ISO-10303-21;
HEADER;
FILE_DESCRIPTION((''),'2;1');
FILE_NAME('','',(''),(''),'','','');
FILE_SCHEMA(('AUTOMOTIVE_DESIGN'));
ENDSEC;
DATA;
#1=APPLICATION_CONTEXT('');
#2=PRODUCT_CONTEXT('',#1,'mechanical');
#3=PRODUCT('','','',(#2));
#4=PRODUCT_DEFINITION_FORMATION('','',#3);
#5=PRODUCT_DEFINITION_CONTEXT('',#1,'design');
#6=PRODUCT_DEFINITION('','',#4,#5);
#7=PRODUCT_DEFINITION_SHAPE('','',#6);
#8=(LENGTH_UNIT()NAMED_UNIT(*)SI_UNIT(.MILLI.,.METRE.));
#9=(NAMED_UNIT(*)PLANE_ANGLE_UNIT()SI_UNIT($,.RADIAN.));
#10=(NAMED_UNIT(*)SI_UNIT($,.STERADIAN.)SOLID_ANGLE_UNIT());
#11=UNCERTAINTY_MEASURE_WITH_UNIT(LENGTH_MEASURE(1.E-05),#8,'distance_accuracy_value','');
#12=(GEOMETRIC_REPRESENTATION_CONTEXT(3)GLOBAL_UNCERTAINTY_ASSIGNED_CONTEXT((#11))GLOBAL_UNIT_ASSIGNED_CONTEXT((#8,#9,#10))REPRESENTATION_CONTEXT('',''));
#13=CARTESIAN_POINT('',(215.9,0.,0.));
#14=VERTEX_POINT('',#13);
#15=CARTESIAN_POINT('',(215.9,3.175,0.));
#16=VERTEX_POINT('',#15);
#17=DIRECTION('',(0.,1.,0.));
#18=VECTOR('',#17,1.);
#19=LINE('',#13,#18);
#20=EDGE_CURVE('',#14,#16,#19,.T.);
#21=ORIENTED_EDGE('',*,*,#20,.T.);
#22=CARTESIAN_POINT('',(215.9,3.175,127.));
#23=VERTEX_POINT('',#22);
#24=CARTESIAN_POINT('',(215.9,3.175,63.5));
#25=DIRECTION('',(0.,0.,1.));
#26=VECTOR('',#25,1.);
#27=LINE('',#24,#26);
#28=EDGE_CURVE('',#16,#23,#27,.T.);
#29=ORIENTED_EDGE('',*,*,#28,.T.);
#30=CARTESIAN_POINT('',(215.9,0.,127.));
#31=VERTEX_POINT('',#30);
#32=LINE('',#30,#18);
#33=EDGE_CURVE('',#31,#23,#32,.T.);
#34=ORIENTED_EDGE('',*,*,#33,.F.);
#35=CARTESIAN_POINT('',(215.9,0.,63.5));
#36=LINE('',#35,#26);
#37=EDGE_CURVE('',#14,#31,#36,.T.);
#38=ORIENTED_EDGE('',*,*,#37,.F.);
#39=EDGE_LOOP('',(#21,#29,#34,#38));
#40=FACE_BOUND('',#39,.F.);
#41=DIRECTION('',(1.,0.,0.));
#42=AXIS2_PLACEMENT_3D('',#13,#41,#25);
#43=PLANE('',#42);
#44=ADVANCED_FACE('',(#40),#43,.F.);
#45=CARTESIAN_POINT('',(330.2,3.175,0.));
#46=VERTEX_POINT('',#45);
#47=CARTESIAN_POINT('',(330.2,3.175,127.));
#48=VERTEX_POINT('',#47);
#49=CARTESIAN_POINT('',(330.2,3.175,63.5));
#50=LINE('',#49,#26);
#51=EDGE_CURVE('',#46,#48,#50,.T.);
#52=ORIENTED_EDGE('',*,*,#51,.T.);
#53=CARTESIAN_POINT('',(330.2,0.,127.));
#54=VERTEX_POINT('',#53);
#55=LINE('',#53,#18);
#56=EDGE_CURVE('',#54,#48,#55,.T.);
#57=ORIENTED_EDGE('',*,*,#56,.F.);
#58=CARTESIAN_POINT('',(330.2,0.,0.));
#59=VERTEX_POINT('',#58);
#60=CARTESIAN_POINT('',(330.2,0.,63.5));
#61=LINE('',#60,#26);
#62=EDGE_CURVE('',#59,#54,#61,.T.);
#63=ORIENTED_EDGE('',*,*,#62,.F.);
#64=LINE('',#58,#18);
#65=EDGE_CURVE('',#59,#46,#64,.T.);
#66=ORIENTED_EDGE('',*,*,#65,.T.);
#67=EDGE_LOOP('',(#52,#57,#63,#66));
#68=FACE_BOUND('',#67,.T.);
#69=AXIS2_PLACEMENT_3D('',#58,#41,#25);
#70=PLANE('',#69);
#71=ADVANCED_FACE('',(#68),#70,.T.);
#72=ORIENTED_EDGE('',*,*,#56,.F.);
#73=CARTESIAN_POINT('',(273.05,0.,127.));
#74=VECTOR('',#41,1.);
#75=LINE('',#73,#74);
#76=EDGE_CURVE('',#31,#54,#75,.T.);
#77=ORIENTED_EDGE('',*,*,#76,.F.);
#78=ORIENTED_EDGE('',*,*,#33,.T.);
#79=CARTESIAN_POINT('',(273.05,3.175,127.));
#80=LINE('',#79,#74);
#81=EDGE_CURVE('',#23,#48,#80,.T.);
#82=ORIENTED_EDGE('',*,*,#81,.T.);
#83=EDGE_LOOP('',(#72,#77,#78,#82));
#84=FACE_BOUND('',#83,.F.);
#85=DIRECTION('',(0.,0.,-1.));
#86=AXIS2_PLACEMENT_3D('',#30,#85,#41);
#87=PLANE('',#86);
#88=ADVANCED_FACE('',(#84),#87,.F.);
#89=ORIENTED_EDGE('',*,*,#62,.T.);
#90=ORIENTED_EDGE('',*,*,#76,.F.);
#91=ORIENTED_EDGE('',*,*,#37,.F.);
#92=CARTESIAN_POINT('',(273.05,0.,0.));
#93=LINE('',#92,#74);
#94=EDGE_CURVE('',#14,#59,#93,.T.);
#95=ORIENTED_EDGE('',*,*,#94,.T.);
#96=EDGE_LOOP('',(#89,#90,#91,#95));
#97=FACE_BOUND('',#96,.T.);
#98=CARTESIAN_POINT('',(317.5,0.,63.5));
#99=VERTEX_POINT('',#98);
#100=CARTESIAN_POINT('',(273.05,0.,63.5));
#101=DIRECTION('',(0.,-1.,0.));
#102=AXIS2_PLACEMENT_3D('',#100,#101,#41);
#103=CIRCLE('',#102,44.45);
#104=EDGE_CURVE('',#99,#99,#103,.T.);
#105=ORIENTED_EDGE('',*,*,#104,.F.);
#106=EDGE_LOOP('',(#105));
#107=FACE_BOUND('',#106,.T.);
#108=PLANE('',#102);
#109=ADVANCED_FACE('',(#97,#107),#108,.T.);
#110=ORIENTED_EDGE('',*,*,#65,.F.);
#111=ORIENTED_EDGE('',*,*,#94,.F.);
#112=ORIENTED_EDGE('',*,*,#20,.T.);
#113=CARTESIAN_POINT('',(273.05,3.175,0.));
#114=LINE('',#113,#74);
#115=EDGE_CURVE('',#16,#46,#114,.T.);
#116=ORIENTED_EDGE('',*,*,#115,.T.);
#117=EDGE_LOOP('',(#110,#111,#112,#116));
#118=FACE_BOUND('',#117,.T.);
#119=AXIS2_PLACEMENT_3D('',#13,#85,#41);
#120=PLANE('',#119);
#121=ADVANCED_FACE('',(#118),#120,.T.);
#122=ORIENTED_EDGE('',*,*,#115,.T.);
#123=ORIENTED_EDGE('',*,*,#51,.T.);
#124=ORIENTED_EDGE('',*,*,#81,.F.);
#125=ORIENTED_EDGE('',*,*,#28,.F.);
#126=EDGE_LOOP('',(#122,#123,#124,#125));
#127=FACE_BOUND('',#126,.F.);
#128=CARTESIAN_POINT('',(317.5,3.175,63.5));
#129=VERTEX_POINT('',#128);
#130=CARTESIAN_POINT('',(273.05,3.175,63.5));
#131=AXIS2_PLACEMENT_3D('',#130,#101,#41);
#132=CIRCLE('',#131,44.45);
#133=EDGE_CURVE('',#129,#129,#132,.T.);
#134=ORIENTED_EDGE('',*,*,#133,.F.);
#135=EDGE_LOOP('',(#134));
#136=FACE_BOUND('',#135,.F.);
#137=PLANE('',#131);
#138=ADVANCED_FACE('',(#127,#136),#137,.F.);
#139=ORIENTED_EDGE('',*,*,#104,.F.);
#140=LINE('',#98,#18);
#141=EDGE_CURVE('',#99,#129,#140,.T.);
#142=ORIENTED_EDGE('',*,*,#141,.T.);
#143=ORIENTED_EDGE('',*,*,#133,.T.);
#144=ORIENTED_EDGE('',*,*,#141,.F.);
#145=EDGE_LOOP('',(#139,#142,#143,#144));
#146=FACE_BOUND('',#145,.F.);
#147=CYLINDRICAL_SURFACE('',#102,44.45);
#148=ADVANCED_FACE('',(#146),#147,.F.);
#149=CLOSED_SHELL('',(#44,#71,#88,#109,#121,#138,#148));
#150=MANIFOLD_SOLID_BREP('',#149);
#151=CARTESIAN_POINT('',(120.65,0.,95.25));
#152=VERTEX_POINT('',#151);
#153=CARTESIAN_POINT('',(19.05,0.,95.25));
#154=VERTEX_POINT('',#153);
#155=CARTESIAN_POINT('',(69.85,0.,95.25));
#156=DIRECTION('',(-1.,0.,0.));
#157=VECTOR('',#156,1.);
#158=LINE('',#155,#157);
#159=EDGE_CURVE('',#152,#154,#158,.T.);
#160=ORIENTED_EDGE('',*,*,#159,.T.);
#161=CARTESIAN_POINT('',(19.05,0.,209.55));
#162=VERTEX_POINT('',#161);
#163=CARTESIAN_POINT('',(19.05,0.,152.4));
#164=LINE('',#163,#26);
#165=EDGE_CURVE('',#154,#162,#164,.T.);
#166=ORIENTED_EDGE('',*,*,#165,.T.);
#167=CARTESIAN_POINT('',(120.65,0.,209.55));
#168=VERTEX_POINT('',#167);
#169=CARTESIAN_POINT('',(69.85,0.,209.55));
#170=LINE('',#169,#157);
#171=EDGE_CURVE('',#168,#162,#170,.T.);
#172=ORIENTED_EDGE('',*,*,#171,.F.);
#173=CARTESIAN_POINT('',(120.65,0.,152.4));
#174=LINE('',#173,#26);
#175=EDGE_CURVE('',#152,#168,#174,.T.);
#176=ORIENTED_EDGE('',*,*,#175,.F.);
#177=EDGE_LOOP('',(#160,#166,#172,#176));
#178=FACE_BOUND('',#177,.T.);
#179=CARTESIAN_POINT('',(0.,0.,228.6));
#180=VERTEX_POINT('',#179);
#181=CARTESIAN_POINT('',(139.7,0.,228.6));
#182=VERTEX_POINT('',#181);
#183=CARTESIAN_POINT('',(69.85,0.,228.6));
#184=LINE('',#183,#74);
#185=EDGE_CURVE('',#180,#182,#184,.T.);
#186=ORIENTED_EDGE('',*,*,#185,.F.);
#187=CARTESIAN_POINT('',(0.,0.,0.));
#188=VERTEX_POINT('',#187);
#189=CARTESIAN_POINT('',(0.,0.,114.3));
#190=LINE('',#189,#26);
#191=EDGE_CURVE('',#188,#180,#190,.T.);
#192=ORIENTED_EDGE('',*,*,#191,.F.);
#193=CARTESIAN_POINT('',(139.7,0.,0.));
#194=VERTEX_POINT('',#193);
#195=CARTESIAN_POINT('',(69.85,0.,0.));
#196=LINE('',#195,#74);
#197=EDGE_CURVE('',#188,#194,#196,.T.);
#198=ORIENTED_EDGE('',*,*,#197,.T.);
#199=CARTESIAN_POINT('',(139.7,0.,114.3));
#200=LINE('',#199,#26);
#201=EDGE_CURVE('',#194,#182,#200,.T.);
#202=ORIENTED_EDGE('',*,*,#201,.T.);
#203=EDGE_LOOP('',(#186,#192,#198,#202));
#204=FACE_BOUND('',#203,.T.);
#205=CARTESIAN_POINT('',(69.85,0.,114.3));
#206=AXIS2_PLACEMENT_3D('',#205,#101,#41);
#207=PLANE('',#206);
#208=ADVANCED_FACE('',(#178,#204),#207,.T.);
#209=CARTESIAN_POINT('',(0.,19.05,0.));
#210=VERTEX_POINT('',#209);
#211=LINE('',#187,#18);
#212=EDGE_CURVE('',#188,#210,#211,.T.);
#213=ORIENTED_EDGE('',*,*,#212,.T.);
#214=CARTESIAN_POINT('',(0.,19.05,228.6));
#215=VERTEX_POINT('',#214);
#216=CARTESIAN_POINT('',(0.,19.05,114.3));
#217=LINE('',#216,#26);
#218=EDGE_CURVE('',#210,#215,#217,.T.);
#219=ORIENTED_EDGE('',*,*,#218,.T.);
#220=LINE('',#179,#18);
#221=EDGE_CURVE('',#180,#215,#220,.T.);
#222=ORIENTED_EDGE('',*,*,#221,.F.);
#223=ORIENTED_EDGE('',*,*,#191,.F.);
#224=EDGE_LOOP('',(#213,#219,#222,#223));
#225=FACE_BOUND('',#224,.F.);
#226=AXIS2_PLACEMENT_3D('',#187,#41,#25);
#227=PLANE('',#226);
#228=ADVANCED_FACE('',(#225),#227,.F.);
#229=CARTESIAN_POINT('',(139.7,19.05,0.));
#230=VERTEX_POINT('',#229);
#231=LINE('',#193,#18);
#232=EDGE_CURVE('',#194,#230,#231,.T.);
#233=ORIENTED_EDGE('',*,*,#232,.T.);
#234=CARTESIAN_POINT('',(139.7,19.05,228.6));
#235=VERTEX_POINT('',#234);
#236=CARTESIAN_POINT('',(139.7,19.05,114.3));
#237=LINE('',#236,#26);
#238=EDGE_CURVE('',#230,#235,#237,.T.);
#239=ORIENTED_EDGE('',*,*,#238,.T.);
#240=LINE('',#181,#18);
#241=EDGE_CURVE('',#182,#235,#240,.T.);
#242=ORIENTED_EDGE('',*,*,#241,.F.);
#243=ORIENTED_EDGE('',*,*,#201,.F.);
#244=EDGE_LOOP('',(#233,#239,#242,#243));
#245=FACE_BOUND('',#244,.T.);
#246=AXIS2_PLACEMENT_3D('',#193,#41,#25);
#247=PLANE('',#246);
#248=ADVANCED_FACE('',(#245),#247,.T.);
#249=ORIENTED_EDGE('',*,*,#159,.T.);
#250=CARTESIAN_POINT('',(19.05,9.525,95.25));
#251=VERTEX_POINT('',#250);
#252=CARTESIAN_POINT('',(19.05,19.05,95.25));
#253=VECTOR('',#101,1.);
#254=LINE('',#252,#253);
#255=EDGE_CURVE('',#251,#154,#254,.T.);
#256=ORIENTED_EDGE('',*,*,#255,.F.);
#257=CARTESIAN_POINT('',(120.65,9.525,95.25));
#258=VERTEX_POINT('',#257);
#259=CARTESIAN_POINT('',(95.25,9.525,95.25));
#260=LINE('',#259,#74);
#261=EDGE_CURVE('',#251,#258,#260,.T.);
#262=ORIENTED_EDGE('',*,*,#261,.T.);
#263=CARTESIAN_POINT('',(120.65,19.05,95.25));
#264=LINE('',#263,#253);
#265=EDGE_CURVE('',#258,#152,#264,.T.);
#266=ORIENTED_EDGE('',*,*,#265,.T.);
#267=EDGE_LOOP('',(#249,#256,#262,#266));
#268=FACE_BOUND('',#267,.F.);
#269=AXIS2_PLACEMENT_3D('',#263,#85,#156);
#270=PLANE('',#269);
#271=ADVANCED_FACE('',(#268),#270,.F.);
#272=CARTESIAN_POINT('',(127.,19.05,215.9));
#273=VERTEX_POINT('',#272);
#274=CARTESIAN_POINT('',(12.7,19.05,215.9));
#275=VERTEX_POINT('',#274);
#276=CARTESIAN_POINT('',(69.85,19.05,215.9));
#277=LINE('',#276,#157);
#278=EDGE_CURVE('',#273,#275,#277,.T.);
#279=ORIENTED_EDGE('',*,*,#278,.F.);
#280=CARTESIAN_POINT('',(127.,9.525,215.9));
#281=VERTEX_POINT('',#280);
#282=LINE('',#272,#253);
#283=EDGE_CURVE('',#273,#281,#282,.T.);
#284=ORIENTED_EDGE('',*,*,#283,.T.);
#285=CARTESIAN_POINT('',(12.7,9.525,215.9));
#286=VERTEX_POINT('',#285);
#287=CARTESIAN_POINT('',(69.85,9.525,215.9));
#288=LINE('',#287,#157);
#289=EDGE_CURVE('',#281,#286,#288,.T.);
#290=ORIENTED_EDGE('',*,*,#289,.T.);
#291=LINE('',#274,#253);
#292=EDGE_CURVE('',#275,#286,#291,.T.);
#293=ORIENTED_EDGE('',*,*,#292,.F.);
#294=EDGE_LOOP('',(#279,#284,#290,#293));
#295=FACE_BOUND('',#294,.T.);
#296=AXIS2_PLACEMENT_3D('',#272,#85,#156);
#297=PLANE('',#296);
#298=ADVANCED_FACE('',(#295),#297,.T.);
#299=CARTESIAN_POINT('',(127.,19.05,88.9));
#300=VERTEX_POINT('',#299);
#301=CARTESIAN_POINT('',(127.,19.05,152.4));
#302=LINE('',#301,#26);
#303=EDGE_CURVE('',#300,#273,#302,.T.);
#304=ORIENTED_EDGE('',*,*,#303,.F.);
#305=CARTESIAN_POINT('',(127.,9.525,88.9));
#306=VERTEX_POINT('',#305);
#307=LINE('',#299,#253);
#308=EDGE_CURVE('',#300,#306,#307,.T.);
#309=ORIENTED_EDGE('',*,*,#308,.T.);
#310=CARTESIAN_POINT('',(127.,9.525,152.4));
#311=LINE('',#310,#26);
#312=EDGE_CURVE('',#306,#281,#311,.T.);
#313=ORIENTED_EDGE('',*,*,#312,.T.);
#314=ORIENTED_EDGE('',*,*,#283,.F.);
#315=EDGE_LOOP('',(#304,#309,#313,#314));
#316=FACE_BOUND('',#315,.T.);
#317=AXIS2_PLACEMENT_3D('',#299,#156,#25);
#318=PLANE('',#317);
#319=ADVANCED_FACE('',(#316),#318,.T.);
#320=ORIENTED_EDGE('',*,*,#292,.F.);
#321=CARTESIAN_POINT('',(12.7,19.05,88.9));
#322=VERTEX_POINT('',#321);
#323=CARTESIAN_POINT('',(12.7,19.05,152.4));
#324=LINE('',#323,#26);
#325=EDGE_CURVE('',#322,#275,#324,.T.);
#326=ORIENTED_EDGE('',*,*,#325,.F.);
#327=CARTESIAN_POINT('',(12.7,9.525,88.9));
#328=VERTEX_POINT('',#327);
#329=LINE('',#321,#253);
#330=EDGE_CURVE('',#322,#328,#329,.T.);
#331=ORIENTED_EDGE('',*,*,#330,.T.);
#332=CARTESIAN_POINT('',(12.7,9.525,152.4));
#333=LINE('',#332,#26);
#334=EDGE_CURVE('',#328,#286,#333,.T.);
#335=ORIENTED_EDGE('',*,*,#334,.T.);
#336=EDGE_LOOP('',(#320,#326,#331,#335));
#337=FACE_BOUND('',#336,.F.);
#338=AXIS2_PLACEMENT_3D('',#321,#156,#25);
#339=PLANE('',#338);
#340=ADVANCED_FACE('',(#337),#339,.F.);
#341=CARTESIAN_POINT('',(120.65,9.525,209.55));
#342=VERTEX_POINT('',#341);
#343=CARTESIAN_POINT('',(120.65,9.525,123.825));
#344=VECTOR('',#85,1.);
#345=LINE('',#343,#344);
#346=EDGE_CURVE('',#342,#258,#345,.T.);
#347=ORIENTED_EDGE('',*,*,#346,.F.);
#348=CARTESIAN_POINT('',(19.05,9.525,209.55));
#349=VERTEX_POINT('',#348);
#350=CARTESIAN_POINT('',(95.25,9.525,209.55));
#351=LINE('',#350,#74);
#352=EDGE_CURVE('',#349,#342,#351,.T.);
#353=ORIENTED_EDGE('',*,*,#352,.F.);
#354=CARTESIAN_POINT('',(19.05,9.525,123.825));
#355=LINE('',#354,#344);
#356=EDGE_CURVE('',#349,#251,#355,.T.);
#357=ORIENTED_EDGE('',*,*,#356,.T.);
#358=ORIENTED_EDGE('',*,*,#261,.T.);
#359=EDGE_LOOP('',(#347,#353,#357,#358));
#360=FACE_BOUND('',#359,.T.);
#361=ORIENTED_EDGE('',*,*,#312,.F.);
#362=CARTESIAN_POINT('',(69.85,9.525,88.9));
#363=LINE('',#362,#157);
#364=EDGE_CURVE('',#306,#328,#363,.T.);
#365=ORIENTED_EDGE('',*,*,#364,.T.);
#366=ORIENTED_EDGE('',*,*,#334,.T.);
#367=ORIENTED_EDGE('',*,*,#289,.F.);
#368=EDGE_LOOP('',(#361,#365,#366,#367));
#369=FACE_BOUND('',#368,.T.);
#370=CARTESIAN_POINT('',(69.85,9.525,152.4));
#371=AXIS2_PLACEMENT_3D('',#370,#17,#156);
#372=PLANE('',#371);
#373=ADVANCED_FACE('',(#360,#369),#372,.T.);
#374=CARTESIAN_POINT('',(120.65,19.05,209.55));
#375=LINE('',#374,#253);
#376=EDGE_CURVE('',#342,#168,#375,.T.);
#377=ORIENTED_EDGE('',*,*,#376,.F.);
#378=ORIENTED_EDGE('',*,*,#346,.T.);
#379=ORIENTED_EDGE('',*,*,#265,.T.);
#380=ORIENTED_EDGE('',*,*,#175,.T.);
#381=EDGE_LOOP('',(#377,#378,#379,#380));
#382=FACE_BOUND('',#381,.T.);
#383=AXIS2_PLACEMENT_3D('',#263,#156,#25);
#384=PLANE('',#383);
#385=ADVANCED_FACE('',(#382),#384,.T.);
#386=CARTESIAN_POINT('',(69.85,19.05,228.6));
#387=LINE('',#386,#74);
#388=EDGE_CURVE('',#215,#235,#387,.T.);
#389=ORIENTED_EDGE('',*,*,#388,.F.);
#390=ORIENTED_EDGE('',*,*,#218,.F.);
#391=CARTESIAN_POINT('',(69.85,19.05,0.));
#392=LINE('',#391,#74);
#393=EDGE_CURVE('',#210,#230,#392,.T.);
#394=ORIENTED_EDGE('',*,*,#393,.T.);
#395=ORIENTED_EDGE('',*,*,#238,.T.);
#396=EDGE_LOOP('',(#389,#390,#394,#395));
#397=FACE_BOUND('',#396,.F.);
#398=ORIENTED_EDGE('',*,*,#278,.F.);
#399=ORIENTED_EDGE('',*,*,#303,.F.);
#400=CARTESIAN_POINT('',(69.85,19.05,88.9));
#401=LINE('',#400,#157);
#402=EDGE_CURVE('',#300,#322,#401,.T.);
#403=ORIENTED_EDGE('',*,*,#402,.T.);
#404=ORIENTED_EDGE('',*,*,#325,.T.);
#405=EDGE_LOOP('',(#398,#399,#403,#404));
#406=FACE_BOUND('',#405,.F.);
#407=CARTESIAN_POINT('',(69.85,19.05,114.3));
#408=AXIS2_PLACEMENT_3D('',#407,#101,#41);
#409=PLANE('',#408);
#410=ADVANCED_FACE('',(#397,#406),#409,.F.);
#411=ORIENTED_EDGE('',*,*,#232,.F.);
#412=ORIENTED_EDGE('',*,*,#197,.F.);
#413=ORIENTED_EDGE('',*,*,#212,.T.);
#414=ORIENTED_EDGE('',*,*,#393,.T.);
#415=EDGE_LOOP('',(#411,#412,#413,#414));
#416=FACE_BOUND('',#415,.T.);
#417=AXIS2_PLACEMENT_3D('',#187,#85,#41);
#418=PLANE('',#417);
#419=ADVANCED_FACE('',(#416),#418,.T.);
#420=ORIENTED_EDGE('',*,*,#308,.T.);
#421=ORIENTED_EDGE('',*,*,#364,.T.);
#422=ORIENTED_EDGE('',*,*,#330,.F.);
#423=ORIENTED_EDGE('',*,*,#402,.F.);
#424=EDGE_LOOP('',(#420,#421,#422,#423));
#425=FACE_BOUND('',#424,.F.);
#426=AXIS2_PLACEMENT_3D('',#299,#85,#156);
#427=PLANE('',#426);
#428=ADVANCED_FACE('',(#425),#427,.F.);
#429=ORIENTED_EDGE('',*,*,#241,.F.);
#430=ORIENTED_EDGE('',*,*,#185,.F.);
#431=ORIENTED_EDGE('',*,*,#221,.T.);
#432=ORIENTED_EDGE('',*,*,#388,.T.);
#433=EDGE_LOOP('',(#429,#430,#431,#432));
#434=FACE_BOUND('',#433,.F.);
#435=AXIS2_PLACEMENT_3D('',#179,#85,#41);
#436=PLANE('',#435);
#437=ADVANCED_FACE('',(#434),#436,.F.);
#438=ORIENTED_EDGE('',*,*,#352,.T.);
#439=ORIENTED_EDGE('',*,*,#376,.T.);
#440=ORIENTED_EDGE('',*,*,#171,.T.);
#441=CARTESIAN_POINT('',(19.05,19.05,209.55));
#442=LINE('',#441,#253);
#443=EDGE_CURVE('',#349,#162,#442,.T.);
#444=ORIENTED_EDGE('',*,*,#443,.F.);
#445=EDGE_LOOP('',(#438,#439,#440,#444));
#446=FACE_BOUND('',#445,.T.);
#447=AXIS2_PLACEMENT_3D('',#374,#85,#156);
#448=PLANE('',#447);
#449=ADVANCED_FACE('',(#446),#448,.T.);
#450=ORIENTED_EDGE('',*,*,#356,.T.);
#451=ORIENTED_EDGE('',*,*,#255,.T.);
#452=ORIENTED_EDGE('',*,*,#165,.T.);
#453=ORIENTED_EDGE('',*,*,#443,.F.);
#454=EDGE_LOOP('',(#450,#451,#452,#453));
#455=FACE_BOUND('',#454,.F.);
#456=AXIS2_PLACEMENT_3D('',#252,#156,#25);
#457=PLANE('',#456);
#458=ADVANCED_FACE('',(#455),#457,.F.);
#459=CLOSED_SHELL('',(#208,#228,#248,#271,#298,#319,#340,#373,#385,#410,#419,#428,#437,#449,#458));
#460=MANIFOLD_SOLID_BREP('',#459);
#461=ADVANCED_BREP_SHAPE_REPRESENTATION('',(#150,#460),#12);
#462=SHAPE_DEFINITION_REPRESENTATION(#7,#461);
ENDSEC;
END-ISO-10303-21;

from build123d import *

# Parameters (mm, degrees)
F0_W       = 139.7
F0_H       = 228.6
F1_DEPTH   = 19.05
F2_W       = 101.6
F2_H       = 114.3
F1_FACE1_W = 139.7
F1_FACE1_H = 228.6
F3_DEPTH   = 19.05
F4_W       = 114.3
F4_H       = 127
F5_DEPTH   = 9.525
F6_W       = 114.3
F6_H       = 127
F7_DEPTH   = 3.175
F8_R       = 44.45
F9_DEPTH   = 25.4


with BuildPart() as f1:
    # F0 (on Front) → F1 (new body)
    with BuildSketch(Plane.XZ):
        with Locations((69.85, 114.3)):
            Rectangle(F0_W, F0_H)
    extrude(amount=-F1_DEPTH)

    # F2 (on face) + F1_face1 (on face) → F3 (cut)
    with BuildSketch(Plane(origin=(0, 19.05, 0), x_dir=(-1, 0, 0), z_dir=(0, 1, 0))):
        with Locations((-69.85, 152.4)):
            Rectangle(F2_W, F2_H)
    with BuildSketch(Plane(origin=(69.85, 0, 114.3), x_dir=(1, 0, 0), z_dir=(0, -1, 0))):
        Rectangle(F1_FACE1_W, F1_FACE1_H)
    extrude(amount=-F3_DEPTH, dir=(0, 1, 0), mode=Mode.SUBTRACT)

    # F4 (on face) → F5 (cut)
    with BuildSketch(Plane(origin=(0, 19.05, 0), x_dir=(-1, 0, 0), z_dir=(0, 1, 0))):
        with Locations((-69.85, 152.4)):
            Rectangle(F4_W, F4_H)
    extrude(amount=-F5_DEPTH, mode=Mode.SUBTRACT)


with BuildPart() as f7:
    # F6 (on Front) → F7 (new body)
    with BuildSketch(Plane.XZ):
        with Locations((273.05, 63.5)):
            Rectangle(F6_W, F6_H)
    extrude(amount=-F7_DEPTH)

    # F8 (on face) → F9 (cut)
    with BuildSketch(Plane.XZ):
        with Locations((273.05, 63.5)):
            Circle(F8_R)
    extrude(amount=-F9_DEPTH, mode=Mode.SUBTRACT)


solid = Compound([f1.part, f7.part])
